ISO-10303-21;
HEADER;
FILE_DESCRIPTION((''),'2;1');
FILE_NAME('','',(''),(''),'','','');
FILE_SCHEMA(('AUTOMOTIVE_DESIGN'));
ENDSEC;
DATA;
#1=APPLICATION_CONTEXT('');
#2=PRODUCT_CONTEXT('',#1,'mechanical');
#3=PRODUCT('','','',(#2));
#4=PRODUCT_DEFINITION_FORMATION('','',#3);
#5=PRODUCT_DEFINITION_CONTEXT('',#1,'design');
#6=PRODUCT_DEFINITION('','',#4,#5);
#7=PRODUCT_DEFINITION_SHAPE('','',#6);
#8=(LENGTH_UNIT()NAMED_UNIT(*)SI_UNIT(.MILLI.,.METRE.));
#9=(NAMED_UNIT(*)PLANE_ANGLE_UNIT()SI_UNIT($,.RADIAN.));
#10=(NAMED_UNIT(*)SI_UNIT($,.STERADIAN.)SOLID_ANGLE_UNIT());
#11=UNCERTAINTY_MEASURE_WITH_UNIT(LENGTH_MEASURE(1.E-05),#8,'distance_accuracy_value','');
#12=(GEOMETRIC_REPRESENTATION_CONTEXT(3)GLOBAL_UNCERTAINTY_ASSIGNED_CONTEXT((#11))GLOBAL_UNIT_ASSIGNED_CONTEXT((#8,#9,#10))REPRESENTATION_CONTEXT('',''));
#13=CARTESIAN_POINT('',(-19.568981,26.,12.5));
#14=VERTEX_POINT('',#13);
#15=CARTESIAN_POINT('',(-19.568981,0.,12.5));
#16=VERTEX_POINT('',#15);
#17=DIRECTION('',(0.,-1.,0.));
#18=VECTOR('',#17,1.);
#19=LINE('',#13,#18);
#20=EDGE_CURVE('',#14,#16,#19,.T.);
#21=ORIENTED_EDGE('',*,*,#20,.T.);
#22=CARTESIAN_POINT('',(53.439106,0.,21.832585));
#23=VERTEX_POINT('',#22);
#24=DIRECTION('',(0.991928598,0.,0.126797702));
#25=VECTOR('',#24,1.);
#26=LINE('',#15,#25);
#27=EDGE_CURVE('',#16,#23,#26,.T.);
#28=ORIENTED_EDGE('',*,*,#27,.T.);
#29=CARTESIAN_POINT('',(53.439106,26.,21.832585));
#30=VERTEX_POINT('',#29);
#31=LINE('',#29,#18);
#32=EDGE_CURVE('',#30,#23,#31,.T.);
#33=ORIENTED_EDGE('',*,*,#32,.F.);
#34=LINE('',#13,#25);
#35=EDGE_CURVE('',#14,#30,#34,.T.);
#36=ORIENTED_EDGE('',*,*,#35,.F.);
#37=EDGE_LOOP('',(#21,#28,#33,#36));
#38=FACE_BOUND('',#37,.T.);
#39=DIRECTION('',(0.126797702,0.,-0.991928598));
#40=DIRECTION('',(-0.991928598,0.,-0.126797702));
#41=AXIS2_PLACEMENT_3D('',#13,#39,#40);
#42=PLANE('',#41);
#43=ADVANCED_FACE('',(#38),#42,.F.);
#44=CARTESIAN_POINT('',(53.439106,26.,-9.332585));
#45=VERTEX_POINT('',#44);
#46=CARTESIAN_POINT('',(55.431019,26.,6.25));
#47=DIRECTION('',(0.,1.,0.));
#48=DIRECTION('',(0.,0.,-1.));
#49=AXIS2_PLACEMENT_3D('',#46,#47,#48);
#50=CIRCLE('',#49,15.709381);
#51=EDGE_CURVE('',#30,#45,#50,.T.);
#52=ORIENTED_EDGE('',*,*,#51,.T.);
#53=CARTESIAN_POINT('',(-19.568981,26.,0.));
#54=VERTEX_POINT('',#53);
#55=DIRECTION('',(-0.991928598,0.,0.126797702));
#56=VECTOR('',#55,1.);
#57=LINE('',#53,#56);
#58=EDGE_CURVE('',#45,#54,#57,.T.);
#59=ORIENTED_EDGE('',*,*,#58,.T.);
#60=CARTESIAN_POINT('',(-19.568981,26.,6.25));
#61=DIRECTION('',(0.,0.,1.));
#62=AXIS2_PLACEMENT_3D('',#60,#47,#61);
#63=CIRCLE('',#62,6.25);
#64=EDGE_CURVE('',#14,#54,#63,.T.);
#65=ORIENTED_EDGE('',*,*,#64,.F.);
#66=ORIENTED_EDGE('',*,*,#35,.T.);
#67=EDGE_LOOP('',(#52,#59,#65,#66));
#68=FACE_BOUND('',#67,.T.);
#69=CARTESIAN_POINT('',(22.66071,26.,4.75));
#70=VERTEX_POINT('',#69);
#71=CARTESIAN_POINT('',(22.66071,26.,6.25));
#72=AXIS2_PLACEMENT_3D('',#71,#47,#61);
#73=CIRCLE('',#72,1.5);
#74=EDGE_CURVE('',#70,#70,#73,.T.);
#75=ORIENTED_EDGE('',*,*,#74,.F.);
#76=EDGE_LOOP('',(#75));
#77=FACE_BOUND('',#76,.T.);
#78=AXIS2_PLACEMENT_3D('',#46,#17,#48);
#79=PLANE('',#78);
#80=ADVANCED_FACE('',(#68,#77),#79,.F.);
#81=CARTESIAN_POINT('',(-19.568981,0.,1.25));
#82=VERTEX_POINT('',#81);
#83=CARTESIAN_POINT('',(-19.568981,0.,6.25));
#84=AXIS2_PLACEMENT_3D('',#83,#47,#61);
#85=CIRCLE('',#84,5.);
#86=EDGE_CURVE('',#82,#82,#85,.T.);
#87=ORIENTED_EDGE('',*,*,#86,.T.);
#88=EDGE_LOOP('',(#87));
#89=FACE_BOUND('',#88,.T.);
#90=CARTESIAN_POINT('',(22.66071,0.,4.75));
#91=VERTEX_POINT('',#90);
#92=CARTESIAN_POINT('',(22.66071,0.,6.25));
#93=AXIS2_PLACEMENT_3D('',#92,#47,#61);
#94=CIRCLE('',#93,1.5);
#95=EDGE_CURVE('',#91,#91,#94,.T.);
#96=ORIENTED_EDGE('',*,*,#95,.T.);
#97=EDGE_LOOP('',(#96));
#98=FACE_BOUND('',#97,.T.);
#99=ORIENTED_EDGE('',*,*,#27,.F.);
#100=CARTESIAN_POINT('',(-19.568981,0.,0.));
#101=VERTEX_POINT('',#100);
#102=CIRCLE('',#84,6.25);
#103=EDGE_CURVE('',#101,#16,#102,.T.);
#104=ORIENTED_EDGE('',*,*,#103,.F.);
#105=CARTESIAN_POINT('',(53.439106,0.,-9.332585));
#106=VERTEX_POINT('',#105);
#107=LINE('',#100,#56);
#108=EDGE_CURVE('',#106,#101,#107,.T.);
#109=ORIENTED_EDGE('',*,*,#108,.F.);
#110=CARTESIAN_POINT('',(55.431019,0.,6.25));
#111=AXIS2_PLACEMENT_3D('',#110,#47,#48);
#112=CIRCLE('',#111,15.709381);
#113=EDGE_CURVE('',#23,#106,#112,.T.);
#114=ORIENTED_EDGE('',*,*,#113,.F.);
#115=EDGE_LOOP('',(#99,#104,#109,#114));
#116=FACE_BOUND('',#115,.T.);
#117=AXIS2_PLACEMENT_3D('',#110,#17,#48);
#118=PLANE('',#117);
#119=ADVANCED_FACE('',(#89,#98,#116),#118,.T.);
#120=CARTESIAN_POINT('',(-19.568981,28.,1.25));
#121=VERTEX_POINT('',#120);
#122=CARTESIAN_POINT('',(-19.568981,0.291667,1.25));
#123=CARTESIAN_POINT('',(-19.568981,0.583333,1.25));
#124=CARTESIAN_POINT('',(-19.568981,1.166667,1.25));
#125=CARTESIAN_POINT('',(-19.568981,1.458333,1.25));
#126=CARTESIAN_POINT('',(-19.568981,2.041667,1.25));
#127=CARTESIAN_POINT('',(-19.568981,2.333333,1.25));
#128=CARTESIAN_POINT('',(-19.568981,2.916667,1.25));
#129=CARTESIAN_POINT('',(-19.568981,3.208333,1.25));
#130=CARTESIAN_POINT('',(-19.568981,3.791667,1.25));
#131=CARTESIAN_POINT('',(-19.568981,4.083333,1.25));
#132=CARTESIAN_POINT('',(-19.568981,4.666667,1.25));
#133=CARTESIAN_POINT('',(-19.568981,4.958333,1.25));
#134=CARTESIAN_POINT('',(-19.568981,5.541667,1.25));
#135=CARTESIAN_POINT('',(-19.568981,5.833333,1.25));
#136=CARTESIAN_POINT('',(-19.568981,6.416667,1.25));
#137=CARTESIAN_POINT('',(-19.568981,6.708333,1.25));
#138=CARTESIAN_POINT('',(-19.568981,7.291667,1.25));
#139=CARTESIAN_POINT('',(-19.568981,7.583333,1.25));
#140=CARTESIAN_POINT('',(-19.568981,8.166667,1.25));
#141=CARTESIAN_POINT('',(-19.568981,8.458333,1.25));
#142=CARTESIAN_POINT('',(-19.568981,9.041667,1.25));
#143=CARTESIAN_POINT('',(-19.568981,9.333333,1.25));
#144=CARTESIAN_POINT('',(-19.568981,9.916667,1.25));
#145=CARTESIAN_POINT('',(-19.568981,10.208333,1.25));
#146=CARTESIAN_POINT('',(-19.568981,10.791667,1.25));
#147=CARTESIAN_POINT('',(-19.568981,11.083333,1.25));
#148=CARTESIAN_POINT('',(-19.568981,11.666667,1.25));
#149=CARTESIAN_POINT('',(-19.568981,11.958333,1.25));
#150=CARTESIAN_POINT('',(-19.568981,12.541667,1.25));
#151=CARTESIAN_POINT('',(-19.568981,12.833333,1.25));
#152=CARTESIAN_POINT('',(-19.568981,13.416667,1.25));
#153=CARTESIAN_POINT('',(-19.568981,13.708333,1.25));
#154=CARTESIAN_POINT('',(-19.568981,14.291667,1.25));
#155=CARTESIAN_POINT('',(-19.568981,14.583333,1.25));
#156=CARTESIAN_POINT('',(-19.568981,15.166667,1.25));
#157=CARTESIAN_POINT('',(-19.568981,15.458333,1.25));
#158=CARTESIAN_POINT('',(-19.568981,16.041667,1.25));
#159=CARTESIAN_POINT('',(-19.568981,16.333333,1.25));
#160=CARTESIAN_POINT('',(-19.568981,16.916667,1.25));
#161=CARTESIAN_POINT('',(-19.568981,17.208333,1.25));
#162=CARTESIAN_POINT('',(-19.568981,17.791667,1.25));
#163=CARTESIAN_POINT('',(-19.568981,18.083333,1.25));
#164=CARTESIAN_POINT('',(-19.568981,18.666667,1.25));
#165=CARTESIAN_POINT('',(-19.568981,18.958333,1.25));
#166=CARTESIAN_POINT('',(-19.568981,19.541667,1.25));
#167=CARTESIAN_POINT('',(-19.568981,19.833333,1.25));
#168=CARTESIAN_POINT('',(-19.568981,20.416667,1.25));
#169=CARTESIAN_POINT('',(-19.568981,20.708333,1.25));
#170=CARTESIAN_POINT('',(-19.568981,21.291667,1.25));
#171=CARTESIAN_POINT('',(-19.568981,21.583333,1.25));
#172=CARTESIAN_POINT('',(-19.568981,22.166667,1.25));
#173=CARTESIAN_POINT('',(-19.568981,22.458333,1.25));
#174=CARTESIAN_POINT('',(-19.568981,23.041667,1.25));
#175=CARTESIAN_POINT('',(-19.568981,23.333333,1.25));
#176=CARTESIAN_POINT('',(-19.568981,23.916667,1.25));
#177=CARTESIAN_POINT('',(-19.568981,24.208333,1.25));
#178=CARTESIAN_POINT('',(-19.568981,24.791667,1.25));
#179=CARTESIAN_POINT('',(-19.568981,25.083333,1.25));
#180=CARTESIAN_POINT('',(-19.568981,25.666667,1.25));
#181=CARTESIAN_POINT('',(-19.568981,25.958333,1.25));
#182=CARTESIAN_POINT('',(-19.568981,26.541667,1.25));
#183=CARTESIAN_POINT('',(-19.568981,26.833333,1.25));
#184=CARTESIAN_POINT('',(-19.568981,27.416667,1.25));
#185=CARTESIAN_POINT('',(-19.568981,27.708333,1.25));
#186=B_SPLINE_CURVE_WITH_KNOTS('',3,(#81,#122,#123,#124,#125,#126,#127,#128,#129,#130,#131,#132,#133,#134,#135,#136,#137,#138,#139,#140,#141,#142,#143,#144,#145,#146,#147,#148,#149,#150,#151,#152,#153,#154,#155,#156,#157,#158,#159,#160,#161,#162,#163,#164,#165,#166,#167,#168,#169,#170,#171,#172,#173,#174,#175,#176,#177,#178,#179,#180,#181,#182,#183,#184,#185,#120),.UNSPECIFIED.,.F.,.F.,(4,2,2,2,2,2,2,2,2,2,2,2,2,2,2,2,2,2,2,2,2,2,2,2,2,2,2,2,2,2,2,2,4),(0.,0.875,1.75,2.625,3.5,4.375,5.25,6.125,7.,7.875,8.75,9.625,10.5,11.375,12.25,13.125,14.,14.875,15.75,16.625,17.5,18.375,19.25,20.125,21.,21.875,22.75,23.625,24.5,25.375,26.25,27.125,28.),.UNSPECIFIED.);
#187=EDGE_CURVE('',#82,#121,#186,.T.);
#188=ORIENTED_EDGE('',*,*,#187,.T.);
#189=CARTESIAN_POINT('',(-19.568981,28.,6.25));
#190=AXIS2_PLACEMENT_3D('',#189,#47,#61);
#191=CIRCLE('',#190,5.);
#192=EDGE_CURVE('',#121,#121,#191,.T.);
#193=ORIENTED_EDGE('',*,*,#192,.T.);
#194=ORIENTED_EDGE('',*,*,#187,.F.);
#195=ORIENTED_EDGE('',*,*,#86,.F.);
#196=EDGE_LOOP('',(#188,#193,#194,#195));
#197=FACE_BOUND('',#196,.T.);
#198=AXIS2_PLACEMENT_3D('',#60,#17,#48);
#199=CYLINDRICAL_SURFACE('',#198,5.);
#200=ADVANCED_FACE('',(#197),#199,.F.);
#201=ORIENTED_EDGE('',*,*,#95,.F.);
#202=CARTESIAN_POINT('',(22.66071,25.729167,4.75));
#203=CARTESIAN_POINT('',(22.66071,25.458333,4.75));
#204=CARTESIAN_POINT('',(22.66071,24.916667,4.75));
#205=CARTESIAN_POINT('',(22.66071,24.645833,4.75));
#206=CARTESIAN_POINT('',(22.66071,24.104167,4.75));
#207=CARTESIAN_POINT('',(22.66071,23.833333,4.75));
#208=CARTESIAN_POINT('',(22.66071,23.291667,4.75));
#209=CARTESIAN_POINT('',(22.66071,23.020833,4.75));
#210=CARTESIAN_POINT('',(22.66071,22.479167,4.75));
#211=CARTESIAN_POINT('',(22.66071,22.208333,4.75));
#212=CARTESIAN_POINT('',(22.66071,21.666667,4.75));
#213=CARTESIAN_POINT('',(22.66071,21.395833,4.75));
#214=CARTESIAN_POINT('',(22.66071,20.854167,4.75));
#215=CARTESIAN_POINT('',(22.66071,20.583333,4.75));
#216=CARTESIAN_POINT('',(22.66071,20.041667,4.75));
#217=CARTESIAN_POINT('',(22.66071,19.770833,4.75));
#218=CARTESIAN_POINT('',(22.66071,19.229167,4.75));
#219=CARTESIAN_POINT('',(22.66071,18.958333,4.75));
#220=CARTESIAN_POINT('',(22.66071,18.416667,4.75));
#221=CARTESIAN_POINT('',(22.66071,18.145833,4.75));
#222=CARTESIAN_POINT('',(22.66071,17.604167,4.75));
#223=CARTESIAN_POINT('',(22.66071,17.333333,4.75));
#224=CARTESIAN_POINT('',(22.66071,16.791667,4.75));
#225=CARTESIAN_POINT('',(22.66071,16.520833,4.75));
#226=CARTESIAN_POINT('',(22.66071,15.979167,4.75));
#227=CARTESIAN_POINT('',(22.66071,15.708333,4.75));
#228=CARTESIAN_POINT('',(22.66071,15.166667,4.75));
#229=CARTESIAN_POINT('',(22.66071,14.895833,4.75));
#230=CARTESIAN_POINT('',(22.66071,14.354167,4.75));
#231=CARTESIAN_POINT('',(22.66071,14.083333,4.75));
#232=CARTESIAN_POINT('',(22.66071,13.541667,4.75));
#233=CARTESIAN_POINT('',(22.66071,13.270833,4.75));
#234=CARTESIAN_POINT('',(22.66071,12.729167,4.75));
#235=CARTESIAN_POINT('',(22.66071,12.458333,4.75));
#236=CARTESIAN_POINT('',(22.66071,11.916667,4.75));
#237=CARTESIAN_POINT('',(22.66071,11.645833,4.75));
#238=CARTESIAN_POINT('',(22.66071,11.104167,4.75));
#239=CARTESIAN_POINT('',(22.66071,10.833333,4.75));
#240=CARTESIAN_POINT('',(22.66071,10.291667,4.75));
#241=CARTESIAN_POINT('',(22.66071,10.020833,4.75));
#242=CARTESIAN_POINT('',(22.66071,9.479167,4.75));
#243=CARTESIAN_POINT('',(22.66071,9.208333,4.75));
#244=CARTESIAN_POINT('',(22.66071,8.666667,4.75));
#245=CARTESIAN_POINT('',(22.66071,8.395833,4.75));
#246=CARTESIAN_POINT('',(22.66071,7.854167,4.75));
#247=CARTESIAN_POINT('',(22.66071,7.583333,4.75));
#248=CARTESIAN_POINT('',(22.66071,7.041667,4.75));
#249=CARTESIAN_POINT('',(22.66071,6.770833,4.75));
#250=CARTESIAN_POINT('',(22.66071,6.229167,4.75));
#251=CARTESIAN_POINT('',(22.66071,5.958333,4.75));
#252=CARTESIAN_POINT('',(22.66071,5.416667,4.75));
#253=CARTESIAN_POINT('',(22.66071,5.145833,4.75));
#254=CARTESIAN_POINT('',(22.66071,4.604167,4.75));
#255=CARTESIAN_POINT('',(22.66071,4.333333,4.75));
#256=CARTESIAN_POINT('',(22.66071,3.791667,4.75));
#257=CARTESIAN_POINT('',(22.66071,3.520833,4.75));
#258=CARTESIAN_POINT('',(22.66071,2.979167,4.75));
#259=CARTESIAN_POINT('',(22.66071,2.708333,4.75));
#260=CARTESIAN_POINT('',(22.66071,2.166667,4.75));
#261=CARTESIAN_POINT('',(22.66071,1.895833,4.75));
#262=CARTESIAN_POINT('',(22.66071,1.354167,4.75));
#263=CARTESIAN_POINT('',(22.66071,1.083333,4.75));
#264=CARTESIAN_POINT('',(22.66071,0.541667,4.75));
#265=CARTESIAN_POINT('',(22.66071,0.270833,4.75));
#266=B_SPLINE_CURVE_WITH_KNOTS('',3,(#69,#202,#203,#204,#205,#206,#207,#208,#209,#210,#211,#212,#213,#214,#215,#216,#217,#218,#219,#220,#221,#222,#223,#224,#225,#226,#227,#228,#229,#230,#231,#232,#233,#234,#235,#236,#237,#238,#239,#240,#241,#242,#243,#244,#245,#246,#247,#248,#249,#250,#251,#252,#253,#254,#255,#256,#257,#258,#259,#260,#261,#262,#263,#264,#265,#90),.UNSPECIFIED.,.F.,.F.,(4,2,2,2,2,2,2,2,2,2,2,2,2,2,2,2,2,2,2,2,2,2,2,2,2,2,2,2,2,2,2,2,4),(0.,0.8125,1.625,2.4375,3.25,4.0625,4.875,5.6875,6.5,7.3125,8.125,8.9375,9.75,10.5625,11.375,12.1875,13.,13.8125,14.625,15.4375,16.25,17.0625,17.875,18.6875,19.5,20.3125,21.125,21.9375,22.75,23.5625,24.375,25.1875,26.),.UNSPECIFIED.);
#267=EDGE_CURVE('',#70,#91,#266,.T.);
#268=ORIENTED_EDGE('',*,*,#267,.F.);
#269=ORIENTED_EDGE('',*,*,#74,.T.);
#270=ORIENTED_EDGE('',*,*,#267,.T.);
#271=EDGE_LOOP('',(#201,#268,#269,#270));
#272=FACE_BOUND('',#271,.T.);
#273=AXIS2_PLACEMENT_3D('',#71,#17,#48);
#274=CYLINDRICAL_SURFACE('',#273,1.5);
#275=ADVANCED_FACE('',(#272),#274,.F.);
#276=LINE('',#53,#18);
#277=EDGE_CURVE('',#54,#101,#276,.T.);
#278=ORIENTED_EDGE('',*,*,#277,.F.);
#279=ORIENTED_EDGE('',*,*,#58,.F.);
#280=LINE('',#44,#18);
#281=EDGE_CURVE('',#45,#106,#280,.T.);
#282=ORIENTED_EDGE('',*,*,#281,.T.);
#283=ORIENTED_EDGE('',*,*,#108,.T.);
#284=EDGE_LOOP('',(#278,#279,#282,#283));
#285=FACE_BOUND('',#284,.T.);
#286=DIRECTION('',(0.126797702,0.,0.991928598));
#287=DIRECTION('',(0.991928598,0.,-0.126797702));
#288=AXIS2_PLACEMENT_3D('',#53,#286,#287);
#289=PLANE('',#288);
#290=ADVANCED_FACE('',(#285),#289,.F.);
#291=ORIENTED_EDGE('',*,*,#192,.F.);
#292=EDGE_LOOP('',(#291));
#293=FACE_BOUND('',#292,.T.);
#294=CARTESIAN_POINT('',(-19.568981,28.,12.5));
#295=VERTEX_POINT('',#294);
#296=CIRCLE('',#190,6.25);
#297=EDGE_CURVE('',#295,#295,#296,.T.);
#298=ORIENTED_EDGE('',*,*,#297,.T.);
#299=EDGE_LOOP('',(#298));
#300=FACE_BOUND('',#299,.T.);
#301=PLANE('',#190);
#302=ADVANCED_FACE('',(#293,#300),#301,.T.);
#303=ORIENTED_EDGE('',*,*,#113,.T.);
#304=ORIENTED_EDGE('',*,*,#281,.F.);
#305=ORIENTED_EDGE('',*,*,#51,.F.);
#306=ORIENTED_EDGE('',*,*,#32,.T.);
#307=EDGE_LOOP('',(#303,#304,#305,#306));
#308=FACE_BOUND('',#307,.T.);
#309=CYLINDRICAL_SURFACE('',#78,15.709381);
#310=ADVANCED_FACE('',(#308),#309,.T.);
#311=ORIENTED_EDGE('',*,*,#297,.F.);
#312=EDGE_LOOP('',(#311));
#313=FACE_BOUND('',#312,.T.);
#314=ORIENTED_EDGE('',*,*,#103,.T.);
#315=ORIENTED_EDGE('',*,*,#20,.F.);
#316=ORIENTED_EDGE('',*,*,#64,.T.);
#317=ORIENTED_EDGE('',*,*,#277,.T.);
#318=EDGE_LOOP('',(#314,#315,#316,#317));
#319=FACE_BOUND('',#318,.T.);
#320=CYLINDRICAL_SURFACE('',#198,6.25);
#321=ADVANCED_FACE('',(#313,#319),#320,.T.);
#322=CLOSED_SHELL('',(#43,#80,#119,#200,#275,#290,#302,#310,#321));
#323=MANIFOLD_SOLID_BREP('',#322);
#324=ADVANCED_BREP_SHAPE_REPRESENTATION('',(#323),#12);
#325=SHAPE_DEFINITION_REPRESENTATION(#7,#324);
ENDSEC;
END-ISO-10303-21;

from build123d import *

# Parameters (mm, degrees)
SKETCH1_R           = 5
SKETCH1_R_2         = 1.5
BOSS_EXTRUDE2_DEPTH = 26
SKETCH2_R           = 6.25
BOSS_EXTRUDE3_DEPTH = 2
CUT_EXTRUDE1_START  = -2
SKETCH3_R           = 5
CUT_EXTRUDE1_DEPTH  = 2


with BuildPart() as part:
    # Sketch1 → Boss-Extrude2 (new body)
    with BuildSketch(Plane(origin=(0, 0, 0), x_dir=(1, 0, 0), z_dir=(0, 1, 0))):
        with BuildLine():
            Line((-19.568980619, 0), (53.439105934, 9.332584612))
            ThreePointArc((53.439105934, 9.332584612), (71.14040073, -6.25), (53.439105934, -21.832584612))
            Line((53.439105934, -21.832584612), (-19.568980619, -12.5))
            ThreePointArc((-19.568980619, -12.5), (-25.818980619, -6.25), (-19.568980619, 0))
        make_face()
        with Locations(Location((-19.568980619, -6.25, 0), (0, 0, 90))):
            Circle(SKETCH1_R, mode=Mode.SUBTRACT)
        with Locations(Location((22.660710056, -6.25, 0), (0, 0, 90))):
            Circle(SKETCH1_R_2, mode=Mode.SUBTRACT)
    extrude(amount=BOSS_EXTRUDE2_DEPTH)

    # Sketch2 → Boss-Extrude3 (add)
    with BuildSketch(Plane(origin=(0, 26, 0), x_dir=(1, 0, 0), z_dir=(0, 1, 0))):
        with Locations(Location((-19.568980619, -6.25, 0), (0, 0, 270))):
            Circle(SKETCH2_R)
    extrude(amount=BOSS_EXTRUDE3_DEPTH)

    # Sketch3 → Cut-Extrude1 (cut)
    with BuildSketch(Plane(origin=(0, 28, 0), x_dir=(1, 0, 0), z_dir=(0, 1, 0)).offset(CUT_EXTRUDE1_START)):
        with Locations(Location((-19.568980619, -6.25, 0), (0, 0, 90))):
            Circle(SKETCH3_R)
    extrude(amount=CUT_EXTRUDE1_DEPTH, mode=Mode.SUBTRACT)


solid = part.part
